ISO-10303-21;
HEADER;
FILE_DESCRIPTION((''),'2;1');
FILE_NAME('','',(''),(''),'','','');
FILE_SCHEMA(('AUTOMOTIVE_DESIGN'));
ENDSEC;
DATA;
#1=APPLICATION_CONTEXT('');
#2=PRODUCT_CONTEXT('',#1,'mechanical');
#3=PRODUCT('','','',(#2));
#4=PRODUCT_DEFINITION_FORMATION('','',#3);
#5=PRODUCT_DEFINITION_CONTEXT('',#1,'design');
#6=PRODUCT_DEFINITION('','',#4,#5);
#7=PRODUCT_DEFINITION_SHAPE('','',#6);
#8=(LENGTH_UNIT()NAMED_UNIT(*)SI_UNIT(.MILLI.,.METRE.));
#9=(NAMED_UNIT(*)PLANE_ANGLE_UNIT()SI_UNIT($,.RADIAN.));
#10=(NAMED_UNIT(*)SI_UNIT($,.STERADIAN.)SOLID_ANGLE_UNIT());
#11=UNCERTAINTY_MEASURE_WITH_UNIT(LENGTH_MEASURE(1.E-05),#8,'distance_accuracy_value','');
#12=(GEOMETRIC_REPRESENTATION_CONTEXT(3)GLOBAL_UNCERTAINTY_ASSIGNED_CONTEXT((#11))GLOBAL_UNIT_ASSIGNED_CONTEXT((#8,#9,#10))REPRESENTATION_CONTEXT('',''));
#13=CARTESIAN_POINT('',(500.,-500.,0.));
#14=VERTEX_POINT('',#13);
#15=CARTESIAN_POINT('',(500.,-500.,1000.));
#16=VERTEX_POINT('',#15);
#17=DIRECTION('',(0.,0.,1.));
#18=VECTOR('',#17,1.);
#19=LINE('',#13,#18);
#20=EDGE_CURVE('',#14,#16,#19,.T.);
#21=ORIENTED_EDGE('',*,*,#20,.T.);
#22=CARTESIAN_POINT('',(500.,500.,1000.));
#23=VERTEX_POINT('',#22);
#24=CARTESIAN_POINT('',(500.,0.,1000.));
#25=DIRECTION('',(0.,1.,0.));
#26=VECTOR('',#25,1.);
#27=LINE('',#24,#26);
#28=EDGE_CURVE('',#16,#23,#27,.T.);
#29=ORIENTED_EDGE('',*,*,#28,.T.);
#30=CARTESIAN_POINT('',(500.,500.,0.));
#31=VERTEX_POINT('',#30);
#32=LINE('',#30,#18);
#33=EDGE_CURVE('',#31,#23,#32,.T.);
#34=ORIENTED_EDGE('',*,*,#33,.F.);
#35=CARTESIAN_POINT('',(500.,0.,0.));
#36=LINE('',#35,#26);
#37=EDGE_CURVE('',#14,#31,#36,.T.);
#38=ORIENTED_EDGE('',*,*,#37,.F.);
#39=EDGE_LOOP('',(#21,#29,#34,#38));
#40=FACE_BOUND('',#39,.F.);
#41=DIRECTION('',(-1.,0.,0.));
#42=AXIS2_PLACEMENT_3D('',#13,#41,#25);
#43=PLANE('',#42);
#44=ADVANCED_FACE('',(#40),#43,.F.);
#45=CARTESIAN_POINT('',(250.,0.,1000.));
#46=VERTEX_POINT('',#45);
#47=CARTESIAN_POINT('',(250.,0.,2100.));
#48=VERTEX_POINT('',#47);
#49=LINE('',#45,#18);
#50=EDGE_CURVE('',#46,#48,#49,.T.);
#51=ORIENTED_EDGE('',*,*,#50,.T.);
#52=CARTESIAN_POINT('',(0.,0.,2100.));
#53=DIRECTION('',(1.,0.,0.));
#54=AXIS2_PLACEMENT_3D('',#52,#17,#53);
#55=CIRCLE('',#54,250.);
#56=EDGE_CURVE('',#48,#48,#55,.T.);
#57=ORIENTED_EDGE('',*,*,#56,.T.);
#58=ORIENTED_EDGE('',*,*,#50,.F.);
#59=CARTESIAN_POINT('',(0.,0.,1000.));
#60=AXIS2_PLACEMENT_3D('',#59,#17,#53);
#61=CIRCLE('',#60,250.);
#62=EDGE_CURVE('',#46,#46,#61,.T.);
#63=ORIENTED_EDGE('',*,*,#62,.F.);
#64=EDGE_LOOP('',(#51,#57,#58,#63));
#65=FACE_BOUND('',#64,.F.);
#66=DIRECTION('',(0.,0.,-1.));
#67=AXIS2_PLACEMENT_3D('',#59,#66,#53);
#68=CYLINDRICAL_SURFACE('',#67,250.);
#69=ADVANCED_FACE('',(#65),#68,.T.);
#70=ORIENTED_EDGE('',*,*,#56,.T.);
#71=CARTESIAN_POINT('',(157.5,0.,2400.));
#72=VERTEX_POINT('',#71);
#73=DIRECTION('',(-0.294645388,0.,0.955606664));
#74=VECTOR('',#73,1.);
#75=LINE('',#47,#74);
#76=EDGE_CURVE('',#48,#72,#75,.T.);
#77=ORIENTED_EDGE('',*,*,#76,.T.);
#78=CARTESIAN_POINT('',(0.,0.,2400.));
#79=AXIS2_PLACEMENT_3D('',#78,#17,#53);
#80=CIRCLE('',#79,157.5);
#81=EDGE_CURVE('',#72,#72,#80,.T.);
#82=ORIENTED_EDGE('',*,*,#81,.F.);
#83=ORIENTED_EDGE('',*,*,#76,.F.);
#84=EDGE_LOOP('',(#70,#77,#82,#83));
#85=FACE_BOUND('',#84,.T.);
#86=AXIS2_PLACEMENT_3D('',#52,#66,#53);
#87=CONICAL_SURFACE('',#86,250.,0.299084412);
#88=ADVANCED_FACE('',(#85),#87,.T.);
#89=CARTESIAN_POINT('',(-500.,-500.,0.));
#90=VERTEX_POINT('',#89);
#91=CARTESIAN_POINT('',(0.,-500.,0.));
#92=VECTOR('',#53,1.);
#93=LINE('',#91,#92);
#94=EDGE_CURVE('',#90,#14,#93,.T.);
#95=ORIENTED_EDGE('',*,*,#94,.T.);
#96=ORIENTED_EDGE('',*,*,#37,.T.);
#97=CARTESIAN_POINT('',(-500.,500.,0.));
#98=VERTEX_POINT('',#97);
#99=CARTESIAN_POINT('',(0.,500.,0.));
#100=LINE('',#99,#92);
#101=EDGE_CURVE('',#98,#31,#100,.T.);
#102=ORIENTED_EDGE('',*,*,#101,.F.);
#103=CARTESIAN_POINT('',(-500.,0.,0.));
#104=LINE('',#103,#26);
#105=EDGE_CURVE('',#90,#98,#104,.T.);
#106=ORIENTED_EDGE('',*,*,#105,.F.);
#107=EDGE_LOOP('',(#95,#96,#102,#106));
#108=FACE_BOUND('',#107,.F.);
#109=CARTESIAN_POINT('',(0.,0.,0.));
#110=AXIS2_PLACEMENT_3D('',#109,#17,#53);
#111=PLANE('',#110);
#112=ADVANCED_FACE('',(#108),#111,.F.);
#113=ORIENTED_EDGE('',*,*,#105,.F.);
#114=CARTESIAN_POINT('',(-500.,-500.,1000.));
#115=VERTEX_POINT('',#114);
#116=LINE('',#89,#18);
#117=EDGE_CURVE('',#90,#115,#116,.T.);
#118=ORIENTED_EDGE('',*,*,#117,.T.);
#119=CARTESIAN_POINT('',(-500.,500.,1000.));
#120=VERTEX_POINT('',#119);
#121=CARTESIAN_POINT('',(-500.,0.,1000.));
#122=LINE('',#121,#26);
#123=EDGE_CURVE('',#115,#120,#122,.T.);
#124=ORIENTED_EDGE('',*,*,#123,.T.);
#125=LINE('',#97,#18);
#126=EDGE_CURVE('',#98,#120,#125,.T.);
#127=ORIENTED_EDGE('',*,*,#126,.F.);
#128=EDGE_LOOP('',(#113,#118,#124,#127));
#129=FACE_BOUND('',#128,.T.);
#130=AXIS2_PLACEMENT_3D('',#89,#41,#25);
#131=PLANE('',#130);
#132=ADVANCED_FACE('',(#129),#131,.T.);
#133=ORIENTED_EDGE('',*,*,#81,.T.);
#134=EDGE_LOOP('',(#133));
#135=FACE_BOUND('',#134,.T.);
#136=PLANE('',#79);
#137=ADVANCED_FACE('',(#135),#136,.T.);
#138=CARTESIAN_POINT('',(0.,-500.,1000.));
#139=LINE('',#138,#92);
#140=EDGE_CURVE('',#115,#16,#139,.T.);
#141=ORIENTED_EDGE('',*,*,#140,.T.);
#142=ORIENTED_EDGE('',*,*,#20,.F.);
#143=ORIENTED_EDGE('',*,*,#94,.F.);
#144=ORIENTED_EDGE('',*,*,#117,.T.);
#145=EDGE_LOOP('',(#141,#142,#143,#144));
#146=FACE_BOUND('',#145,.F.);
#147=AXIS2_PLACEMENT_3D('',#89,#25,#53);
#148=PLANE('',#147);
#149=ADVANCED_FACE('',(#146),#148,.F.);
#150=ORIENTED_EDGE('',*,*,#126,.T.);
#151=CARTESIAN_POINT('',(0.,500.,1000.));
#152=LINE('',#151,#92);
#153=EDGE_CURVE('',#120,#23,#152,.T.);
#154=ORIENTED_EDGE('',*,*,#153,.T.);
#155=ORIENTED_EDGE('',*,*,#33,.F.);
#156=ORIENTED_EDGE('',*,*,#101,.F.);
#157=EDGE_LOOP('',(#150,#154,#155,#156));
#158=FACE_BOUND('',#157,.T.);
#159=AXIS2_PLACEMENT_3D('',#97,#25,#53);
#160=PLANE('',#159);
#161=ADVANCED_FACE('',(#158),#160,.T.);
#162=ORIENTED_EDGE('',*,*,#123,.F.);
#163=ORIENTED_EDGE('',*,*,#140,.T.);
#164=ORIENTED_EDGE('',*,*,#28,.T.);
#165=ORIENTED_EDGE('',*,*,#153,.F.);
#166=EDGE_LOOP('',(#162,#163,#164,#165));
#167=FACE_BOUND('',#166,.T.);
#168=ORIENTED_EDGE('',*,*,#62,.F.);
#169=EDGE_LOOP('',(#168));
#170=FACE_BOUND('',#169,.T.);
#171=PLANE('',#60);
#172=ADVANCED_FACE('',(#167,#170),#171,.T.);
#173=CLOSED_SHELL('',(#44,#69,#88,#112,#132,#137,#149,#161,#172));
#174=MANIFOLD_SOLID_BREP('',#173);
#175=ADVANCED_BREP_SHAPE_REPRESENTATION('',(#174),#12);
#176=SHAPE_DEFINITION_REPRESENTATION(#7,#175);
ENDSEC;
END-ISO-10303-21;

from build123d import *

# Parameters (mm, degrees)
SKETCH_W     = 1000
SKETCH_H     = 1000
PAD_DEPTH    = 1000
SKETCH001_R  = 157.5
PAD001_DEPTH = 1300
SKETCH002_R  = 250
PAD002_DEPTH = 1100


with BuildPart() as part:
    # Sketch → Pad (new body)
    with BuildSketch(Plane.XY):
        Rectangle(SKETCH_W, SKETCH_H)
    extrude(amount=PAD_DEPTH)

    # Sketch001 (on Face6 of Pad) → Pad001 (join)
    with BuildSketch(Plane.XY.offset(1000)):
        Circle(SKETCH001_R)
    extrude(amount=PAD001_DEPTH)

    # Sketch002 (on Face5 of Pad001) → Pad002 (join)
    with BuildSketch(Plane.XY.offset(1000)):
        Circle(SKETCH002_R)
    extrude(amount=PAD002_DEPTH)

    # Sketch003 → Revolution (revolve)
    with BuildSketch(Plane.XZ):
        Polygon((0, 2100), (250, 2100), (157.5, 2400), (0, 2400), align=None)
    revolve(axis=Axis((0, 0, 0), (0, 0, 1)))


solid = part.part
